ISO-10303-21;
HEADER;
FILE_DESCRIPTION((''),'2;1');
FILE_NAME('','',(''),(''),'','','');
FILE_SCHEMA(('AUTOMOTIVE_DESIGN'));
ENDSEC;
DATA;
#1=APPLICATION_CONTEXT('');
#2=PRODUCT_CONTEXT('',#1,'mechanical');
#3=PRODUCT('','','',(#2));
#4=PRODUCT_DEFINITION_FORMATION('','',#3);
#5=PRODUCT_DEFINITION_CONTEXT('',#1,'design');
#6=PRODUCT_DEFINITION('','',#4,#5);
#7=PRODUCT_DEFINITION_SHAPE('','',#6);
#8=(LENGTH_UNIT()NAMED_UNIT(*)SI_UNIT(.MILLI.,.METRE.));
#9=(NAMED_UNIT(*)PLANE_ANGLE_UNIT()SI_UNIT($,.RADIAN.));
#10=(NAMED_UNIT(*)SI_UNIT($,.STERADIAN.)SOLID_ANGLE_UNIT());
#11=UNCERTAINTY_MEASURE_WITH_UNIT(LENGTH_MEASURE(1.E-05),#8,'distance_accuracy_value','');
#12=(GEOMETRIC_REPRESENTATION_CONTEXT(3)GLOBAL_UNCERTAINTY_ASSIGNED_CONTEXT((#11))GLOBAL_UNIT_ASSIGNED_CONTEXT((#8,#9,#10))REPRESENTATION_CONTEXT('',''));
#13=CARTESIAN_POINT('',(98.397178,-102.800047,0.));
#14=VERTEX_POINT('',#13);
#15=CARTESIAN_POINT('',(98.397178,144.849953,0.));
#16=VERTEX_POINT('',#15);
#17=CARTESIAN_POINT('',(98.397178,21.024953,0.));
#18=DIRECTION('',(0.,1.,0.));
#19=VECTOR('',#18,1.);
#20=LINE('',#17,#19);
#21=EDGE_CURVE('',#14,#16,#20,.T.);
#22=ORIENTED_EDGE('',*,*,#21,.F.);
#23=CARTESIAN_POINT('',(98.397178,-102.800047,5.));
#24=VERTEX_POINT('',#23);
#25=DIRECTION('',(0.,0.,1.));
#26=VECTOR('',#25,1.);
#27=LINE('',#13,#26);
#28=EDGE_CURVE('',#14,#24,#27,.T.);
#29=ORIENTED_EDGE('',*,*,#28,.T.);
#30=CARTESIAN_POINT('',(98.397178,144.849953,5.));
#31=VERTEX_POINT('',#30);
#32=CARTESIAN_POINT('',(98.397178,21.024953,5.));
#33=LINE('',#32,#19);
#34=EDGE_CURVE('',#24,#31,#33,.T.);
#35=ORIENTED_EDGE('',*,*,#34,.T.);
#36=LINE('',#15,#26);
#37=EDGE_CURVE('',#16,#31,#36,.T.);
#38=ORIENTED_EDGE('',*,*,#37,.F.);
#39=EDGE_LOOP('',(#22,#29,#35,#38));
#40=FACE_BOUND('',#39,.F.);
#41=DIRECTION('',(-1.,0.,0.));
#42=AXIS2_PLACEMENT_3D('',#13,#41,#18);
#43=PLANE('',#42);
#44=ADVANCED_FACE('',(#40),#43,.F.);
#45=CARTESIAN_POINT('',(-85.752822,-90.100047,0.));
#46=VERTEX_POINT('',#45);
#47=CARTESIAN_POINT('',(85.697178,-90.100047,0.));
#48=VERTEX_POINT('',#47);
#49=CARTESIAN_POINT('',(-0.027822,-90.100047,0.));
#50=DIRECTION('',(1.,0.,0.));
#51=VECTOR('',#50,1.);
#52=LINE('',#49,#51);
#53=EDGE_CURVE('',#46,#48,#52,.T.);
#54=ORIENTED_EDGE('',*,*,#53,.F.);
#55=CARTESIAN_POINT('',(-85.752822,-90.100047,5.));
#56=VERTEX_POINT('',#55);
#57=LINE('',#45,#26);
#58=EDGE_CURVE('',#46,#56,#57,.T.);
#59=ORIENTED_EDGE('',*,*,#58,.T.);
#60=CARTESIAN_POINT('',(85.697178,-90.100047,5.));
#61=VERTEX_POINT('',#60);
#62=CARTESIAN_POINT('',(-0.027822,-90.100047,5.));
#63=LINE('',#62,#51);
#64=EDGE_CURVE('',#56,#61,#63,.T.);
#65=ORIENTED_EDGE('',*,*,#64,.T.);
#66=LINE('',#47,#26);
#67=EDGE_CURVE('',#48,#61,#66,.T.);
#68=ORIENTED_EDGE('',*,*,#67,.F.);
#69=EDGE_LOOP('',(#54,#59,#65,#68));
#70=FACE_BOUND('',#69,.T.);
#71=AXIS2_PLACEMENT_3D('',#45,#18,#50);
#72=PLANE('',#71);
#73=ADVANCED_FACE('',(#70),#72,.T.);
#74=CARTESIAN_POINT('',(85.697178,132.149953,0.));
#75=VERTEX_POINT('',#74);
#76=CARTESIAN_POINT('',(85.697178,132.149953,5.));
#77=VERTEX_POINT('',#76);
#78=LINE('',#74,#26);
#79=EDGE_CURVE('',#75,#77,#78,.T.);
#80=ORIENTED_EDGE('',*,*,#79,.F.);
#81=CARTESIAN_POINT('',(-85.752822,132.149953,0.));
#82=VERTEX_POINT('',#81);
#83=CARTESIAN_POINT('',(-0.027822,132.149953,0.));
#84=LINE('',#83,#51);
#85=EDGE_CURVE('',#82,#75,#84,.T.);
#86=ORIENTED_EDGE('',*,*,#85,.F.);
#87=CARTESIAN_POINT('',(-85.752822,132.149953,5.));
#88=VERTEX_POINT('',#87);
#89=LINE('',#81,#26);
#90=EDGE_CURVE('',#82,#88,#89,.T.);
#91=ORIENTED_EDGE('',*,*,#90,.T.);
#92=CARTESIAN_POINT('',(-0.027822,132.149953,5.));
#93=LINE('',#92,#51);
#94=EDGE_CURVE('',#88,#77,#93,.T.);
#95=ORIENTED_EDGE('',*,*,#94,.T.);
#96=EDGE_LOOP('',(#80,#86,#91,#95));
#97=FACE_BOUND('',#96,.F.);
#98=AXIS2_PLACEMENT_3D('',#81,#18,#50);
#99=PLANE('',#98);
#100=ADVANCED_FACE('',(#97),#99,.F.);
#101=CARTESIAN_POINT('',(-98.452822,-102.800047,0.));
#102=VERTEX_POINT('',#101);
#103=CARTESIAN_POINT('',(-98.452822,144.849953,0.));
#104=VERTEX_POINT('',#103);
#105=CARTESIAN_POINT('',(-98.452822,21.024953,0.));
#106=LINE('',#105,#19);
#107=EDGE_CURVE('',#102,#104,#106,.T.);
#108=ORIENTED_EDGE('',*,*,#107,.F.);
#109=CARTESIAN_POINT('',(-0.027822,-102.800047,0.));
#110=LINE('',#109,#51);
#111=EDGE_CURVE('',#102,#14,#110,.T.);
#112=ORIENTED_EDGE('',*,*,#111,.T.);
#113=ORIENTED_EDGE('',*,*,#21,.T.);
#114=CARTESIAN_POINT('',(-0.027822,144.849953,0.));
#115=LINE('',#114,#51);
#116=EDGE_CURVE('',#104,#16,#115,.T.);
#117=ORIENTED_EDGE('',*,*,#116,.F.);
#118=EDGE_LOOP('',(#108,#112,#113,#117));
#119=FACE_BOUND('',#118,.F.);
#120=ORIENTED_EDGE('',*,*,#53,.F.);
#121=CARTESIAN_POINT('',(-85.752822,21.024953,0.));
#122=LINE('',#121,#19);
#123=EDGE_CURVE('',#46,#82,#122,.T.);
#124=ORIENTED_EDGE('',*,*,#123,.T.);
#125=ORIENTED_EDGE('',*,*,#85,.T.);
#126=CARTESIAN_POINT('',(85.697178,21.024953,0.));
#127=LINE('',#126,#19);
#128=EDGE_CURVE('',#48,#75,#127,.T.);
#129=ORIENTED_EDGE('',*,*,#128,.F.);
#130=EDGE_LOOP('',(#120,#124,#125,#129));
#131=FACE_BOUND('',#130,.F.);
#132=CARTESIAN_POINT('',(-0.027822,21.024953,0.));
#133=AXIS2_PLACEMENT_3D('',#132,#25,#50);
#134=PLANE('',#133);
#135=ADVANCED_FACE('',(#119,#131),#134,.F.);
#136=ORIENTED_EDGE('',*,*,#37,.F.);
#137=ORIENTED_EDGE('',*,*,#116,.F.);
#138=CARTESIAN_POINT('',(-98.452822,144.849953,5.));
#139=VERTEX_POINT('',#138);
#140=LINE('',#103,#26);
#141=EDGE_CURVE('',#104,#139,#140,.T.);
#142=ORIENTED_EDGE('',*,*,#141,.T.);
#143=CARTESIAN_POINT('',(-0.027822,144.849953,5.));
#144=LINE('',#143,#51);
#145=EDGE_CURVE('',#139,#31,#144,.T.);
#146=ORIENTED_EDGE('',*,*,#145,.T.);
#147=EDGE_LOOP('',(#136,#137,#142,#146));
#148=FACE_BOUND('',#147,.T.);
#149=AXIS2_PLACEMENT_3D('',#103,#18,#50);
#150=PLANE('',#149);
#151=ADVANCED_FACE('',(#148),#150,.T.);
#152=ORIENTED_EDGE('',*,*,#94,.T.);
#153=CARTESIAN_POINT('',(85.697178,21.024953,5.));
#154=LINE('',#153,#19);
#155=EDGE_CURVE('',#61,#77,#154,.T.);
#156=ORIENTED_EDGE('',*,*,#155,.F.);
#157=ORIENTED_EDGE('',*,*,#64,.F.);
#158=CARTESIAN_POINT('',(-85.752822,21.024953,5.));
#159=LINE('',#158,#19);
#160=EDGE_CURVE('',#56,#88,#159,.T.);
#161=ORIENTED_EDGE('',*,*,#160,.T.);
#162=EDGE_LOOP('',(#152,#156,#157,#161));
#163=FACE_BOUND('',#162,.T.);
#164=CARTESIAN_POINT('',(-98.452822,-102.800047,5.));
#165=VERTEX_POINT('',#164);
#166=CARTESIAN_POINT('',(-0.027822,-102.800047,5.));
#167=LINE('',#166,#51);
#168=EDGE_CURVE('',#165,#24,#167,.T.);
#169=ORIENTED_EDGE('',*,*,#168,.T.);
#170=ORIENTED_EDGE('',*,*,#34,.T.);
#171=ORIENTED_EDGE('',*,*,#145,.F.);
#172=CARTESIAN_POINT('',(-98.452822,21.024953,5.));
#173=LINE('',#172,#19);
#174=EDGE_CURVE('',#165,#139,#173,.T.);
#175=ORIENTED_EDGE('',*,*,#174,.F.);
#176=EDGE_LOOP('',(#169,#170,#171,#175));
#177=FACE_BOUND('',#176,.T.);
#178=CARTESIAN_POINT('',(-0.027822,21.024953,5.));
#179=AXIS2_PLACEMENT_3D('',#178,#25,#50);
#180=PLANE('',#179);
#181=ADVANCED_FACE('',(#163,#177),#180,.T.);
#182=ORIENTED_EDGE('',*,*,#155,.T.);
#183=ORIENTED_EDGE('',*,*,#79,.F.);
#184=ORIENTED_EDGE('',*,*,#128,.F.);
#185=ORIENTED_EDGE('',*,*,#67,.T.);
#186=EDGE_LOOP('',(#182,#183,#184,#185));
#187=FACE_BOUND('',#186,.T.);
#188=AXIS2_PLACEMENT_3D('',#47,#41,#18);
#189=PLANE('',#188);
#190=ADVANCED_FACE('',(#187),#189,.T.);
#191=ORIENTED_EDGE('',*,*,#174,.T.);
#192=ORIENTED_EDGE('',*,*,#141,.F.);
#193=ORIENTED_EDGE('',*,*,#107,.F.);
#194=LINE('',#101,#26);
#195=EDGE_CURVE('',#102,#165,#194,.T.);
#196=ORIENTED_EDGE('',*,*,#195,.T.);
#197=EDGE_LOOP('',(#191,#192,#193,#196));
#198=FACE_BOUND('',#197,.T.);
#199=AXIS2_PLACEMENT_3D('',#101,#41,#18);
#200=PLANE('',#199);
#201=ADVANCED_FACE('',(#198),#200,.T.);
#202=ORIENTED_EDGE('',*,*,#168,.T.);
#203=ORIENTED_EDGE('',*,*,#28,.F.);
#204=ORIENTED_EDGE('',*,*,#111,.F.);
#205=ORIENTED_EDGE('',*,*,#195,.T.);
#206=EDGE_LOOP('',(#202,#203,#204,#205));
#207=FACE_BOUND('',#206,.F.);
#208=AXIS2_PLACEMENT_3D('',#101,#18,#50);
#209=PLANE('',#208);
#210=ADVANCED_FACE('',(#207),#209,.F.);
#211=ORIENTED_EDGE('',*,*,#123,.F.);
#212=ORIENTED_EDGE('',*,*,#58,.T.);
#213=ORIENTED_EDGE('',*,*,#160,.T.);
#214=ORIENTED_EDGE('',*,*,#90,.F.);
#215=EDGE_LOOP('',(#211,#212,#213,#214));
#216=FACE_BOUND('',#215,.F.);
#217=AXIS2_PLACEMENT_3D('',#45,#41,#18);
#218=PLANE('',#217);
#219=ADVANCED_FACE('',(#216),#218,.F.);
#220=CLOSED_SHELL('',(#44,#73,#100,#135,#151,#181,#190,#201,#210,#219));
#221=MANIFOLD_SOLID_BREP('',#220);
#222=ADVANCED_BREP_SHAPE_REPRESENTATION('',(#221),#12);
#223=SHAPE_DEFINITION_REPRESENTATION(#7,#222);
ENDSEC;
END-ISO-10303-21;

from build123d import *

# Parameters (mm, degrees)
F0_W     = 171.45
F0_H     = 222.25
F0_W_2   = 196.85
F0_H_2   = 247.65
F1_DEPTH = 5
F2_DEPTH = 5


with BuildPart() as f1:
    # F0 (on Top) → F1 (new body)
    with BuildSketch(Plane.XY):
        with Locations((-0.027822, 21.024953)):
            Rectangle(F0_W, F0_H)
        with Locations((-0.027822, 21.024953)):
            Rectangle(F0_W_2, F0_H_2)
        with Locations((-0.027822, 21.024953)):
            Rectangle(F0_W, F0_H, mode=Mode.SUBTRACT)
    extrude(amount=F1_DEPTH)

    # F0 (on Top) → F2 (cut)
    with BuildSketch(Plane.XY):
        with Locations((-0.027822, 21.024953)):
            Rectangle(F0_W, F0_H)
    extrude(amount=F2_DEPTH, mode=Mode.SUBTRACT)


solid = f1.part
